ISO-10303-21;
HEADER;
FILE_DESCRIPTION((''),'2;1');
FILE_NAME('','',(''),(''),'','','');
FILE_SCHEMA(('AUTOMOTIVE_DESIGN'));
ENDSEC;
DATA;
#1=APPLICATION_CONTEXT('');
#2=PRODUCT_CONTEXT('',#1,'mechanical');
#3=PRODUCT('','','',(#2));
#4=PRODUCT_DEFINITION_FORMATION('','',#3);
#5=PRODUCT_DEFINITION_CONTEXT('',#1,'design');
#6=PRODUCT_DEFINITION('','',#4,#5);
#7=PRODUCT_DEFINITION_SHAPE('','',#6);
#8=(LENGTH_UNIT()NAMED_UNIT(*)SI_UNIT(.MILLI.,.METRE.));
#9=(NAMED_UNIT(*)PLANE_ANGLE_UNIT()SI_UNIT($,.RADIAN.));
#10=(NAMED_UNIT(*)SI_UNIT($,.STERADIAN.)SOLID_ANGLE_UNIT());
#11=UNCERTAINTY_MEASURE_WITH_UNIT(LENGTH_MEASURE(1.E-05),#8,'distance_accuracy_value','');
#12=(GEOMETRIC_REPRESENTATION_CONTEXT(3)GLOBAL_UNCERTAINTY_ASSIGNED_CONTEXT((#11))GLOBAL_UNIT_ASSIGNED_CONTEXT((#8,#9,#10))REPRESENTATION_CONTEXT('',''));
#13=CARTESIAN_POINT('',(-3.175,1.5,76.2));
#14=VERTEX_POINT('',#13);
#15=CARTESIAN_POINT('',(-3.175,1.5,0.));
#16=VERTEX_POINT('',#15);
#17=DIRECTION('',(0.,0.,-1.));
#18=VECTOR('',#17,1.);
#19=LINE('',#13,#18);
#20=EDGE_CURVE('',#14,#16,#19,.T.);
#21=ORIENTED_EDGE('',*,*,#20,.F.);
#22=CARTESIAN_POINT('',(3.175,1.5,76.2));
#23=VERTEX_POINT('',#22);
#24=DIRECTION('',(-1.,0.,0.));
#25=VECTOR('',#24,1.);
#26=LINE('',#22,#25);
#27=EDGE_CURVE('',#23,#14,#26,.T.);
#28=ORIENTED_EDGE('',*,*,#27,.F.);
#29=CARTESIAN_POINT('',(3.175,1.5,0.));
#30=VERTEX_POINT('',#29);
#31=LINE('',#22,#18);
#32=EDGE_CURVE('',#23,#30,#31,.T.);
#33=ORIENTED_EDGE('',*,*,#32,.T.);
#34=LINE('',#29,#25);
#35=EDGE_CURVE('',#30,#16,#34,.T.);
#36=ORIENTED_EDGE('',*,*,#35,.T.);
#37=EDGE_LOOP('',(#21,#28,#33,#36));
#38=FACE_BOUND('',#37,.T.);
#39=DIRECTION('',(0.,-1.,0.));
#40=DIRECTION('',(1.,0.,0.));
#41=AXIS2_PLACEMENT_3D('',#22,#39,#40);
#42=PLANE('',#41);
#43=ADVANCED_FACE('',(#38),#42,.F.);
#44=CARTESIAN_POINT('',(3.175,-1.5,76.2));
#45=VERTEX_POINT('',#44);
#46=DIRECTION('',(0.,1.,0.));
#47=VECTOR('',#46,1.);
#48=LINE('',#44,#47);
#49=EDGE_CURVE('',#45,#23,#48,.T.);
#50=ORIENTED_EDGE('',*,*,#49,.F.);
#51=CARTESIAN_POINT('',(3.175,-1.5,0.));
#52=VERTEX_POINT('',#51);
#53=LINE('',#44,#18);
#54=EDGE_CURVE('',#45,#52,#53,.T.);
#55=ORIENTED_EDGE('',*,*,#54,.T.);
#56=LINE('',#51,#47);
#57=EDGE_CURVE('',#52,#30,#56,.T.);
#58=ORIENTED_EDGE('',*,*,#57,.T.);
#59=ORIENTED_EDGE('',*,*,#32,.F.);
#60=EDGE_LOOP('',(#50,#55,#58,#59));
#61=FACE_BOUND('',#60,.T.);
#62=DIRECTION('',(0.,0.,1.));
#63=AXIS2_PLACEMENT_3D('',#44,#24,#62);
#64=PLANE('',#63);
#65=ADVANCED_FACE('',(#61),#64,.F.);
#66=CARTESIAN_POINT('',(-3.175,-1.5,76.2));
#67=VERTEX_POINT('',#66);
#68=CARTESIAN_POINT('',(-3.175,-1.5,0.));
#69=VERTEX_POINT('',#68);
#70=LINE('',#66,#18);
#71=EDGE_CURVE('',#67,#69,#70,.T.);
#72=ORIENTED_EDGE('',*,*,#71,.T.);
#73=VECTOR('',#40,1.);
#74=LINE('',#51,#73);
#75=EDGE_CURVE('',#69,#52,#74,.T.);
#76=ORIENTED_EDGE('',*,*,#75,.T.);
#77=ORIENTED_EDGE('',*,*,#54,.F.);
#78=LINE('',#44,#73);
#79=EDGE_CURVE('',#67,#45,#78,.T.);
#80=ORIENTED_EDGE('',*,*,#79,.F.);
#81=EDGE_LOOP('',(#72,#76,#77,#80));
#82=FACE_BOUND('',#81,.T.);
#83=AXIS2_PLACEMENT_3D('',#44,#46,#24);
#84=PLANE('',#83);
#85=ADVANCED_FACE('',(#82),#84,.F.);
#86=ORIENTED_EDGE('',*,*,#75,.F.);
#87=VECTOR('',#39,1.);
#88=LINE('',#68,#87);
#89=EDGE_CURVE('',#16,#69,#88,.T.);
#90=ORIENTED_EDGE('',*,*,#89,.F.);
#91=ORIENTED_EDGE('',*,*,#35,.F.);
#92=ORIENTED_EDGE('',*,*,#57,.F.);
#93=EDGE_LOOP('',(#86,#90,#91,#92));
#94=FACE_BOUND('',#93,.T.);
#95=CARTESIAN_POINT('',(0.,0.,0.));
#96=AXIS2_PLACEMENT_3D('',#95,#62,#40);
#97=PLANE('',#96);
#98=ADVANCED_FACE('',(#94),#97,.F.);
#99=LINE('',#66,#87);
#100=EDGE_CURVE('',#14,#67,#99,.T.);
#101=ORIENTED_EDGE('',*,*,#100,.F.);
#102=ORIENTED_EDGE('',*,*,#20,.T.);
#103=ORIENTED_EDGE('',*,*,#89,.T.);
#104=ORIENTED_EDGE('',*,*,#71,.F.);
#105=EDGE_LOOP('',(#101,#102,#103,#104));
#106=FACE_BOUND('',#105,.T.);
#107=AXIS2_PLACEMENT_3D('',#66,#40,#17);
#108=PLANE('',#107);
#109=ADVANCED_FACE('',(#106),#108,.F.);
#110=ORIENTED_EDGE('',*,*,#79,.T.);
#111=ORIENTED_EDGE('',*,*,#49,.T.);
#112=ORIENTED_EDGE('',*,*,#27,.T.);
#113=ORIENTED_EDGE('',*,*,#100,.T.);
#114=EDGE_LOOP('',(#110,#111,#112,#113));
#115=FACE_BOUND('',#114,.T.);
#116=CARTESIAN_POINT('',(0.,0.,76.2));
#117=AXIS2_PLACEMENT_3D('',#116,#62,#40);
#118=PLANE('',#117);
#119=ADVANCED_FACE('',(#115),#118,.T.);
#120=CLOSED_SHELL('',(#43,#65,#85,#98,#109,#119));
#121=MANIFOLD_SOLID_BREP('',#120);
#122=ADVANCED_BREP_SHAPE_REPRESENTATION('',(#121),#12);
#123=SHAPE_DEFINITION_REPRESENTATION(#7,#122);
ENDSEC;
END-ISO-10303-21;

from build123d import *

# Parameters (mm, degrees)
SKETCH1_W           = 6.35
SKETCH1_H           = 3
BOSS_EXTRUDE1_DEPTH = 76.2


with BuildPart() as part:
    # Sketch1 → Boss-Extrude1 (new body)
    with BuildSketch(Plane.XY):
        Rectangle(SKETCH1_W, SKETCH1_H)
    extrude(amount=BOSS_EXTRUDE1_DEPTH)


solid = part.part
